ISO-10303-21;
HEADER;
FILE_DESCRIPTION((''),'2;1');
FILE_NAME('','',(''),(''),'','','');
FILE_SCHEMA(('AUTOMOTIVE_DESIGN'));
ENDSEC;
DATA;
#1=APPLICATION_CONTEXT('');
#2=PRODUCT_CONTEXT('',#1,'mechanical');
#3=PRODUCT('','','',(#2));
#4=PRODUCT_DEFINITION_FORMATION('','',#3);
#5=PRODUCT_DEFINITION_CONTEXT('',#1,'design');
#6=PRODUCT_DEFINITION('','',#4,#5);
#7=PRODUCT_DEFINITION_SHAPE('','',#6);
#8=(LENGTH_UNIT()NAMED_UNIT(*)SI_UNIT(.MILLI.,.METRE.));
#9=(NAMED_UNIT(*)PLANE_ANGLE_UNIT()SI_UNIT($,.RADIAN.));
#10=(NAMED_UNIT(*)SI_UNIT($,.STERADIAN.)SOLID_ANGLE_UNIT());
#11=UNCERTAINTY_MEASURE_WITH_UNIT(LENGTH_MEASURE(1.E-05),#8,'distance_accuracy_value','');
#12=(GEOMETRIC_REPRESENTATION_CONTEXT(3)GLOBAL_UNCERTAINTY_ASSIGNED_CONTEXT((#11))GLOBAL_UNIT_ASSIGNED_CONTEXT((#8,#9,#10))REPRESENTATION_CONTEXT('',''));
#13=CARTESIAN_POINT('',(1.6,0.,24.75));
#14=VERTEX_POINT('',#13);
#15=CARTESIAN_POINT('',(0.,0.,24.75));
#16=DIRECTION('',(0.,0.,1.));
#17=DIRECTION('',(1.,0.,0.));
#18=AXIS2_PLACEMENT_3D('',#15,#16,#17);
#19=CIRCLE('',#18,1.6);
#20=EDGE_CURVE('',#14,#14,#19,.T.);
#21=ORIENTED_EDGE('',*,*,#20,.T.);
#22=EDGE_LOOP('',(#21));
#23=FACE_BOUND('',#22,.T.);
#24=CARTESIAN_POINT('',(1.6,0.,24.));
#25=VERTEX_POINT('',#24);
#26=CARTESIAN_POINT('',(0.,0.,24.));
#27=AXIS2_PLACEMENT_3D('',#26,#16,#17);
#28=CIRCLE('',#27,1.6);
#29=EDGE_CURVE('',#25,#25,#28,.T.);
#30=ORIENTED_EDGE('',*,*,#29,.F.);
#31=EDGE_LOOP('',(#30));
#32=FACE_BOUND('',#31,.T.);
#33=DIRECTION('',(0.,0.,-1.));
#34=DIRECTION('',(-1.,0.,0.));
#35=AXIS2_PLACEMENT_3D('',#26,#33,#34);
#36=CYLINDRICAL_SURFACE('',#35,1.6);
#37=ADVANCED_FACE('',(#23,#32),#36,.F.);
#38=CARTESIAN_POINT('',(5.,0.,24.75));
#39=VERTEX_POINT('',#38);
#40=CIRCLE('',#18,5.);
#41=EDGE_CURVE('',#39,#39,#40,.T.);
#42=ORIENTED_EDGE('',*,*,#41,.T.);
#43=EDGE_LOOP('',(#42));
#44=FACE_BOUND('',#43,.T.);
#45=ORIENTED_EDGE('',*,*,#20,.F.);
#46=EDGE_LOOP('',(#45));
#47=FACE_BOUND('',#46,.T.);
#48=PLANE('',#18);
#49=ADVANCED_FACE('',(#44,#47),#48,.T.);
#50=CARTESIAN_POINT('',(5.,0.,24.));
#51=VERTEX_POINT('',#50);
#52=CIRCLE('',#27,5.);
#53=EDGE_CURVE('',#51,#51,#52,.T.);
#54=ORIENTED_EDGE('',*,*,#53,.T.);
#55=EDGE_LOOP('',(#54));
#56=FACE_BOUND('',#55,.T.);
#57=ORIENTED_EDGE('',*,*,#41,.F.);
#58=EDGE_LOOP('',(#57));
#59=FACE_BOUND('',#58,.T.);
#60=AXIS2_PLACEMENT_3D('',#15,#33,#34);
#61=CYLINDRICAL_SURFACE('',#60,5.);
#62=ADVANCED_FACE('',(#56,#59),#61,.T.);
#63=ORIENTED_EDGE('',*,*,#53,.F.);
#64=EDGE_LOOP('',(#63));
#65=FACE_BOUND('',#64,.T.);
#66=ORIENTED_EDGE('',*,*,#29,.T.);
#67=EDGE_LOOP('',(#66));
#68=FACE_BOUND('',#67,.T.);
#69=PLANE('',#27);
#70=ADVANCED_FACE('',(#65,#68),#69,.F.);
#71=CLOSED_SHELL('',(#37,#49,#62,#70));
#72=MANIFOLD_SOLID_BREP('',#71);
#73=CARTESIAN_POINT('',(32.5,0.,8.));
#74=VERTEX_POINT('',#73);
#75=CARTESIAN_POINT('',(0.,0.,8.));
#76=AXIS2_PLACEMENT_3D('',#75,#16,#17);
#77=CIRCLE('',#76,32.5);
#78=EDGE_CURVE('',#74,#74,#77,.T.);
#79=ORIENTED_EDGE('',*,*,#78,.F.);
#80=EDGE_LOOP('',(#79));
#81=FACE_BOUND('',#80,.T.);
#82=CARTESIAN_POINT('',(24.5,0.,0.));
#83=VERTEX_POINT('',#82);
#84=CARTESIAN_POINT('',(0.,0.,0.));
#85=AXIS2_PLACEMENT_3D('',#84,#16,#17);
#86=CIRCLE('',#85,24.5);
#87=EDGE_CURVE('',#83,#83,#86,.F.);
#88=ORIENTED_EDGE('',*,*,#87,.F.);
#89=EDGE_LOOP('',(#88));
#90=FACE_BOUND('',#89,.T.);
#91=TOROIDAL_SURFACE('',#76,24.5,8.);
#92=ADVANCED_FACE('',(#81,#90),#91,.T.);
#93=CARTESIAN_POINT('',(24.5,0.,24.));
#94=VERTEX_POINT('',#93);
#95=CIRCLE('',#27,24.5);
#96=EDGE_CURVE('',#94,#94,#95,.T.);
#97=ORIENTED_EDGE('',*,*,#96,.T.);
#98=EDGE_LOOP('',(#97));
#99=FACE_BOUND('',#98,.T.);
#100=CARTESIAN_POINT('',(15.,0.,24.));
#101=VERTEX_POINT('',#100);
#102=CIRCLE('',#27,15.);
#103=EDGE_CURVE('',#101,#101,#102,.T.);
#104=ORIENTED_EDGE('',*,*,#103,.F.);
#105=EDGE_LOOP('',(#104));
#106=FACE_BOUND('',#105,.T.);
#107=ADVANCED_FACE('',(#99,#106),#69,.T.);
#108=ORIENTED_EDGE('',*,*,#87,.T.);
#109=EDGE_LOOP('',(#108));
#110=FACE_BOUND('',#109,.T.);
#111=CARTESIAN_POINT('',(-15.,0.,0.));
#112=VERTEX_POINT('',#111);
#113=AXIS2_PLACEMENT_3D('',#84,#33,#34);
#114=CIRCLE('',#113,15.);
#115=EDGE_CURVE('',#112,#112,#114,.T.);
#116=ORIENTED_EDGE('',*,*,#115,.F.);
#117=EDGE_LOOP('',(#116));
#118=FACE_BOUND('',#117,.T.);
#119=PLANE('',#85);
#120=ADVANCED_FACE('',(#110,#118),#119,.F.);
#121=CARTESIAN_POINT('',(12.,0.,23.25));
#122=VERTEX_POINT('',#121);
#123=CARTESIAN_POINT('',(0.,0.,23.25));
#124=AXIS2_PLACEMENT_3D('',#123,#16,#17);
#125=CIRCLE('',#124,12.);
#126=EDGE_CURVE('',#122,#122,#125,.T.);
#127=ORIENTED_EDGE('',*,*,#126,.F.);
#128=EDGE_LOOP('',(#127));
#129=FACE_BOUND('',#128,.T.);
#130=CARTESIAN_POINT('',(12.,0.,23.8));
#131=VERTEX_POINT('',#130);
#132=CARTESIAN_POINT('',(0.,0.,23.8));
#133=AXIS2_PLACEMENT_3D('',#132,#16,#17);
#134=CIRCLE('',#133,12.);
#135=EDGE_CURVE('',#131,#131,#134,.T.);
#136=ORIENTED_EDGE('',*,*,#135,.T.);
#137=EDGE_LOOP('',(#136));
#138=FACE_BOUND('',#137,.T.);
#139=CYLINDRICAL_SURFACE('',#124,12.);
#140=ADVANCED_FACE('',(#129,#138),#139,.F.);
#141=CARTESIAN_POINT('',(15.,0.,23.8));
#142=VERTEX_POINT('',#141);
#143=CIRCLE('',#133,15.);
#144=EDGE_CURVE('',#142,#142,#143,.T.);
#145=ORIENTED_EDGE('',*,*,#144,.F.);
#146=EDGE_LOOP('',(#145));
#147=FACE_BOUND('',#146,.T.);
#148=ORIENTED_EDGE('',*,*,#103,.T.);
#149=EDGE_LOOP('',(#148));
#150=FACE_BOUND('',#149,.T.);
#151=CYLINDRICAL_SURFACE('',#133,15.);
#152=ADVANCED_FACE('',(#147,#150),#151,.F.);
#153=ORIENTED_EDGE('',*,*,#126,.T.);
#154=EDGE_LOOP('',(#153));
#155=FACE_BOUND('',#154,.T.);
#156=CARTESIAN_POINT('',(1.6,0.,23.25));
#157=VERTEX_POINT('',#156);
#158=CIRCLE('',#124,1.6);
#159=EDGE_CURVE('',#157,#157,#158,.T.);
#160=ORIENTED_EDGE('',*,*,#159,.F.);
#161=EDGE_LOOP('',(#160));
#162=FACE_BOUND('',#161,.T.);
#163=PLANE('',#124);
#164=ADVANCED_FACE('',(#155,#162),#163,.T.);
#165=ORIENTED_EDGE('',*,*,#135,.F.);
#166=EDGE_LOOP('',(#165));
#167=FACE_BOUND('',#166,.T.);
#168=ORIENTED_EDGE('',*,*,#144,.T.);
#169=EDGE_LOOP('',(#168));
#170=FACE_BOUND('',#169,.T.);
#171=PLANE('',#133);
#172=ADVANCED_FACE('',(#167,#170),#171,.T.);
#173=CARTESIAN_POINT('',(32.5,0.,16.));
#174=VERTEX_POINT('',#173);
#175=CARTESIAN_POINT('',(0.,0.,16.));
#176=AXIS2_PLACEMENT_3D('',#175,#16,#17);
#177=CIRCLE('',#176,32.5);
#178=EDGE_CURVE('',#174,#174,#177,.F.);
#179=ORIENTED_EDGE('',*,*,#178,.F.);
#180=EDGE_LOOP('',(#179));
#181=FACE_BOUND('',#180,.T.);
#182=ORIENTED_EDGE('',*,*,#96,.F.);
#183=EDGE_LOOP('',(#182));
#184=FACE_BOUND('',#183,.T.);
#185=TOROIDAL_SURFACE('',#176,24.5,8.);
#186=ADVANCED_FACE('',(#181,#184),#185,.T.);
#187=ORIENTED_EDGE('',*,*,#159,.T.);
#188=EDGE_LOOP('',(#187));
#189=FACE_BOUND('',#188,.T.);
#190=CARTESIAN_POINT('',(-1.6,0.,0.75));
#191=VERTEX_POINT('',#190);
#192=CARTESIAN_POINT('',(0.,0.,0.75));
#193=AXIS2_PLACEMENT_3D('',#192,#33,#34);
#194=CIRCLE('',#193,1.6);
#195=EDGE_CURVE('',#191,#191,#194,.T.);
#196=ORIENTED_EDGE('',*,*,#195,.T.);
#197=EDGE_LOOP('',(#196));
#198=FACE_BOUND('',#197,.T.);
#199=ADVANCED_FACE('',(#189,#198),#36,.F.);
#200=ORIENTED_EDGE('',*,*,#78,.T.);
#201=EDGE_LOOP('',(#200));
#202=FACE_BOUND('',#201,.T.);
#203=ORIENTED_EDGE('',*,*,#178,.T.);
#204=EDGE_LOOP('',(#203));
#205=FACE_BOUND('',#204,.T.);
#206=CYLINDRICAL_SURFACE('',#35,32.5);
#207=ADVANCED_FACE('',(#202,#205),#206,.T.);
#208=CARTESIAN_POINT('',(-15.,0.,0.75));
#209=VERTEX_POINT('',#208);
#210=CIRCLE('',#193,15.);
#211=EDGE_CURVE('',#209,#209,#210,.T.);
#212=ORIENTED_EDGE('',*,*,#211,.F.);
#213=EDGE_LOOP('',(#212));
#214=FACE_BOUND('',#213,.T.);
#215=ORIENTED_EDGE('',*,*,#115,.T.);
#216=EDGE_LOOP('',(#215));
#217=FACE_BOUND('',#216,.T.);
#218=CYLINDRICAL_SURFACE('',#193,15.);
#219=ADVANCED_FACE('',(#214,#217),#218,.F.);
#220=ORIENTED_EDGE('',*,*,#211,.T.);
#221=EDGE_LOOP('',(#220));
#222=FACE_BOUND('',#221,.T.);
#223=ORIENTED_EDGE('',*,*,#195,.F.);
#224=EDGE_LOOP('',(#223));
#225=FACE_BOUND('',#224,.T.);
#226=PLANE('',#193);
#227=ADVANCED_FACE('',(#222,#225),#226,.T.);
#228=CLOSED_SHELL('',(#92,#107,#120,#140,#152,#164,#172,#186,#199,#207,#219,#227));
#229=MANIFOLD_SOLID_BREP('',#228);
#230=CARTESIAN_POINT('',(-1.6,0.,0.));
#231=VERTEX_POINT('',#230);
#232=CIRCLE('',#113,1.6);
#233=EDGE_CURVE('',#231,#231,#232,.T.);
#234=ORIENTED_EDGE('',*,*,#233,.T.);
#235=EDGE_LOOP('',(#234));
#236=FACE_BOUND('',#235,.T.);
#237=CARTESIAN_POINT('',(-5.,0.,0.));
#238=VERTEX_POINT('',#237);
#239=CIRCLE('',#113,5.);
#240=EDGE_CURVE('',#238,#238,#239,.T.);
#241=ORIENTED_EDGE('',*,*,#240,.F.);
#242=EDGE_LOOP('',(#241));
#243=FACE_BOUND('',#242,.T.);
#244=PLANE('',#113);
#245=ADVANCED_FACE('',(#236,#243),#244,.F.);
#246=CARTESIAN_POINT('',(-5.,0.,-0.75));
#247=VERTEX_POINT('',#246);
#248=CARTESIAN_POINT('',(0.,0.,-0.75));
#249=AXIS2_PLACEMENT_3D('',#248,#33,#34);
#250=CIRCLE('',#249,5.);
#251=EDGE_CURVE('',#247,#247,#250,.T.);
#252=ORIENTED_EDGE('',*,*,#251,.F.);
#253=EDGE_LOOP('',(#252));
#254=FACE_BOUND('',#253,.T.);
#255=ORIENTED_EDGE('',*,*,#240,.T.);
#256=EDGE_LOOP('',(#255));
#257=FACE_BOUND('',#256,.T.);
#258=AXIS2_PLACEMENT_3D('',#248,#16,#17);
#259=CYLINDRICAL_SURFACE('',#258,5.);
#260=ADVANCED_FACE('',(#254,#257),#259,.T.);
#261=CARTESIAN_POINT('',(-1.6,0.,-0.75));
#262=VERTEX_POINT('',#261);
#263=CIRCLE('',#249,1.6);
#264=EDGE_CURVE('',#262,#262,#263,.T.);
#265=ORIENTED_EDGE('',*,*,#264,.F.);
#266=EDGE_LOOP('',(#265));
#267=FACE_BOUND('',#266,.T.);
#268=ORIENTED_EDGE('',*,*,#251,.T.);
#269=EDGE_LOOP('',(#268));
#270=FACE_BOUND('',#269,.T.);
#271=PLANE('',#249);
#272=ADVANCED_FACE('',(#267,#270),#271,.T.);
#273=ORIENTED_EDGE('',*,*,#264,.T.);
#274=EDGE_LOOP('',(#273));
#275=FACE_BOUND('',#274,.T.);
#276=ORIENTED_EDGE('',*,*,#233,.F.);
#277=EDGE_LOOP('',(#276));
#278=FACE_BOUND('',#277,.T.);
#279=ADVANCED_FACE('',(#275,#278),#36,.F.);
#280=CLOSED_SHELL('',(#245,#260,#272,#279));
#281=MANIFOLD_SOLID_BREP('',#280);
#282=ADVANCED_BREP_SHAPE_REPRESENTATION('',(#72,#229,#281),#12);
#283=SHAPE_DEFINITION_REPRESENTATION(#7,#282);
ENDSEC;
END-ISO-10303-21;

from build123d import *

# Parameters (mm, degrees)
SKETCH1_R           = 32.5
SKETCH1_R_2         = 1.6
BOSS_EXTRUDE1_DEPTH = 24
FILLET2_R           = 8
SKETCH3_R           = 5
BOSS_EXTRUDE2_DEPTH = 0.75
BOSS_EXTRUDE3_START = 0.75
SKETCH4_R           = 5
BOSS_EXTRUDE3_DEPTH = 0.75
SKETCH5_R           = 1.6
CUT_EXTRUDE1_DEPTH  = 40.75
SKETCH6_R           = 15
SKETCH6_R_2         = 12
CUT_EXTRUDE3_DEPTH  = 0.2
CUT_EXTRUDE5_START  = -0.75
SKETCH9_R           = 12
CUT_EXTRUDE5_DEPTH  = 0.75
SKETCH11_R          = 12
CUT_EXTRUDE6_DEPTH  = 0.75
SKETCH12_R          = 15
SKETCH12_R_2        = 12
CUT_EXTRUDE7_DEPTH  = 0.75


with BuildPart() as part:
    # Sketch1 → Boss-Extrude1 (new body)
    with BuildSketch(Plane.XY):
        Circle(SKETCH1_R)
        Circle(SKETCH1_R_2, mode=Mode.SUBTRACT)
    extrude(amount=BOSS_EXTRUDE1_DEPTH)

    # Fillet2
    fillet2_edges = [part.edges().sort_by_distance(p)[0] for p in [
        (-32.5, 0, 0),
        (-32.5, 0, 24),
    ]]
    fillet(fillet2_edges, radius=FILLET2_R)

    # Sketch3 → Boss-Extrude2 (add)
    with BuildSketch(Plane.XY.offset(24)):
        Circle(SKETCH3_R)
    extrude(amount=BOSS_EXTRUDE2_DEPTH)

    # Sketch4 → Boss-Extrude3 (add)
    with BuildSketch(Plane(origin=(0, 0, 0), x_dir=(-1, 0, 0), z_dir=(0, 0, -1)).offset(BOSS_EXTRUDE3_START)):
        with Locations(Location((0, 0, 0), (0, 0, 180))):
            Circle(SKETCH4_R)
    extrude(amount=-BOSS_EXTRUDE3_DEPTH)

    # Sketch5 → Cut-Extrude1 (cut)
    with BuildSketch(Plane(origin=(0, 0, -0.75), x_dir=(-1, 0, 0), z_dir=(0, 0, -1))):
        Circle(SKETCH5_R)
    extrude(amount=-CUT_EXTRUDE1_DEPTH, mode=Mode.SUBTRACT)

    # Sketch6 → Cut-Extrude3 (cut)
    with BuildSketch(Plane.XY.offset(24)):
        Circle(SKETCH6_R)
        Circle(SKETCH6_R_2, mode=Mode.SUBTRACT)
    extrude(amount=-CUT_EXTRUDE3_DEPTH, mode=Mode.SUBTRACT)

    # Sketch9 → Cut-Extrude5 (cut)
    with BuildSketch(Plane(origin=(0, 0, 0), x_dir=(-1, 0, 0), z_dir=(0, 0, -1)).offset(CUT_EXTRUDE5_START)):
        with Locations(Location((0, 0, 0), (0, 0, 180))):
            Circle(SKETCH9_R)
    extrude(amount=CUT_EXTRUDE5_DEPTH, mode=Mode.SUBTRACT)


with BuildPart() as cut_extrude5_piece_1:
    # of the separate pieces the step leaves, piece 1, a body of its own (cut_extrude5_pieces)
    add(part.part.solids().sort_by_distance((32.5, 0, 8))[0])

    # Sketch11 → Cut-Extrude6 (cut)
    with BuildSketch(Plane.XY.offset(24)):
        with Locations(Location((0, 0, 0), (0, 0, 180))):
            Circle(SKETCH11_R)
    extrude(amount=-CUT_EXTRUDE6_DEPTH, mode=Mode.SUBTRACT)


with BuildPart() as cut_extrude5_piece_2:
    # of the separate pieces the step leaves, piece 2, a body of its own (cut_extrude5_pieces)
    add(part.part.solids().sort_by_distance((5, 0, -0.75))[0])


with BuildPart() as cut_extrude6_piece_1:
    # of the separate pieces the step leaves, piece 1, a body of its own (cut_extrude6_pieces)
    add(cut_extrude5_piece_1.part.solids().sort_by_distance((32.5, 0, 8))[0])

    # Sketch12 → Cut-Extrude7 (cut)
    with BuildSketch(Plane(origin=(0, 0, 0), x_dir=(-1, 0, 0), z_dir=(0, 0, -1))):
        with Locations(Location((0, 0, 0), (0, 0, 180))):
            Circle(SKETCH12_R)
        with Locations(Location((0, 0, 0), (0, 0, 180))):
            Circle(SKETCH12_R_2, mode=Mode.SUBTRACT)
    extrude(amount=-CUT_EXTRUDE7_DEPTH, mode=Mode.SUBTRACT)


with BuildPart() as cut_extrude6_piece_2:
    # of the separate pieces the step leaves, piece 2, a body of its own (cut_extrude6_pieces)
    add(cut_extrude5_piece_1.part.solids().sort_by_distance((-1.6, 0, 24))[0])


solid = Compound([cut_extrude5_piece_2.part, cut_extrude6_piece_1.part, cut_extrude6_piece_2.part])
